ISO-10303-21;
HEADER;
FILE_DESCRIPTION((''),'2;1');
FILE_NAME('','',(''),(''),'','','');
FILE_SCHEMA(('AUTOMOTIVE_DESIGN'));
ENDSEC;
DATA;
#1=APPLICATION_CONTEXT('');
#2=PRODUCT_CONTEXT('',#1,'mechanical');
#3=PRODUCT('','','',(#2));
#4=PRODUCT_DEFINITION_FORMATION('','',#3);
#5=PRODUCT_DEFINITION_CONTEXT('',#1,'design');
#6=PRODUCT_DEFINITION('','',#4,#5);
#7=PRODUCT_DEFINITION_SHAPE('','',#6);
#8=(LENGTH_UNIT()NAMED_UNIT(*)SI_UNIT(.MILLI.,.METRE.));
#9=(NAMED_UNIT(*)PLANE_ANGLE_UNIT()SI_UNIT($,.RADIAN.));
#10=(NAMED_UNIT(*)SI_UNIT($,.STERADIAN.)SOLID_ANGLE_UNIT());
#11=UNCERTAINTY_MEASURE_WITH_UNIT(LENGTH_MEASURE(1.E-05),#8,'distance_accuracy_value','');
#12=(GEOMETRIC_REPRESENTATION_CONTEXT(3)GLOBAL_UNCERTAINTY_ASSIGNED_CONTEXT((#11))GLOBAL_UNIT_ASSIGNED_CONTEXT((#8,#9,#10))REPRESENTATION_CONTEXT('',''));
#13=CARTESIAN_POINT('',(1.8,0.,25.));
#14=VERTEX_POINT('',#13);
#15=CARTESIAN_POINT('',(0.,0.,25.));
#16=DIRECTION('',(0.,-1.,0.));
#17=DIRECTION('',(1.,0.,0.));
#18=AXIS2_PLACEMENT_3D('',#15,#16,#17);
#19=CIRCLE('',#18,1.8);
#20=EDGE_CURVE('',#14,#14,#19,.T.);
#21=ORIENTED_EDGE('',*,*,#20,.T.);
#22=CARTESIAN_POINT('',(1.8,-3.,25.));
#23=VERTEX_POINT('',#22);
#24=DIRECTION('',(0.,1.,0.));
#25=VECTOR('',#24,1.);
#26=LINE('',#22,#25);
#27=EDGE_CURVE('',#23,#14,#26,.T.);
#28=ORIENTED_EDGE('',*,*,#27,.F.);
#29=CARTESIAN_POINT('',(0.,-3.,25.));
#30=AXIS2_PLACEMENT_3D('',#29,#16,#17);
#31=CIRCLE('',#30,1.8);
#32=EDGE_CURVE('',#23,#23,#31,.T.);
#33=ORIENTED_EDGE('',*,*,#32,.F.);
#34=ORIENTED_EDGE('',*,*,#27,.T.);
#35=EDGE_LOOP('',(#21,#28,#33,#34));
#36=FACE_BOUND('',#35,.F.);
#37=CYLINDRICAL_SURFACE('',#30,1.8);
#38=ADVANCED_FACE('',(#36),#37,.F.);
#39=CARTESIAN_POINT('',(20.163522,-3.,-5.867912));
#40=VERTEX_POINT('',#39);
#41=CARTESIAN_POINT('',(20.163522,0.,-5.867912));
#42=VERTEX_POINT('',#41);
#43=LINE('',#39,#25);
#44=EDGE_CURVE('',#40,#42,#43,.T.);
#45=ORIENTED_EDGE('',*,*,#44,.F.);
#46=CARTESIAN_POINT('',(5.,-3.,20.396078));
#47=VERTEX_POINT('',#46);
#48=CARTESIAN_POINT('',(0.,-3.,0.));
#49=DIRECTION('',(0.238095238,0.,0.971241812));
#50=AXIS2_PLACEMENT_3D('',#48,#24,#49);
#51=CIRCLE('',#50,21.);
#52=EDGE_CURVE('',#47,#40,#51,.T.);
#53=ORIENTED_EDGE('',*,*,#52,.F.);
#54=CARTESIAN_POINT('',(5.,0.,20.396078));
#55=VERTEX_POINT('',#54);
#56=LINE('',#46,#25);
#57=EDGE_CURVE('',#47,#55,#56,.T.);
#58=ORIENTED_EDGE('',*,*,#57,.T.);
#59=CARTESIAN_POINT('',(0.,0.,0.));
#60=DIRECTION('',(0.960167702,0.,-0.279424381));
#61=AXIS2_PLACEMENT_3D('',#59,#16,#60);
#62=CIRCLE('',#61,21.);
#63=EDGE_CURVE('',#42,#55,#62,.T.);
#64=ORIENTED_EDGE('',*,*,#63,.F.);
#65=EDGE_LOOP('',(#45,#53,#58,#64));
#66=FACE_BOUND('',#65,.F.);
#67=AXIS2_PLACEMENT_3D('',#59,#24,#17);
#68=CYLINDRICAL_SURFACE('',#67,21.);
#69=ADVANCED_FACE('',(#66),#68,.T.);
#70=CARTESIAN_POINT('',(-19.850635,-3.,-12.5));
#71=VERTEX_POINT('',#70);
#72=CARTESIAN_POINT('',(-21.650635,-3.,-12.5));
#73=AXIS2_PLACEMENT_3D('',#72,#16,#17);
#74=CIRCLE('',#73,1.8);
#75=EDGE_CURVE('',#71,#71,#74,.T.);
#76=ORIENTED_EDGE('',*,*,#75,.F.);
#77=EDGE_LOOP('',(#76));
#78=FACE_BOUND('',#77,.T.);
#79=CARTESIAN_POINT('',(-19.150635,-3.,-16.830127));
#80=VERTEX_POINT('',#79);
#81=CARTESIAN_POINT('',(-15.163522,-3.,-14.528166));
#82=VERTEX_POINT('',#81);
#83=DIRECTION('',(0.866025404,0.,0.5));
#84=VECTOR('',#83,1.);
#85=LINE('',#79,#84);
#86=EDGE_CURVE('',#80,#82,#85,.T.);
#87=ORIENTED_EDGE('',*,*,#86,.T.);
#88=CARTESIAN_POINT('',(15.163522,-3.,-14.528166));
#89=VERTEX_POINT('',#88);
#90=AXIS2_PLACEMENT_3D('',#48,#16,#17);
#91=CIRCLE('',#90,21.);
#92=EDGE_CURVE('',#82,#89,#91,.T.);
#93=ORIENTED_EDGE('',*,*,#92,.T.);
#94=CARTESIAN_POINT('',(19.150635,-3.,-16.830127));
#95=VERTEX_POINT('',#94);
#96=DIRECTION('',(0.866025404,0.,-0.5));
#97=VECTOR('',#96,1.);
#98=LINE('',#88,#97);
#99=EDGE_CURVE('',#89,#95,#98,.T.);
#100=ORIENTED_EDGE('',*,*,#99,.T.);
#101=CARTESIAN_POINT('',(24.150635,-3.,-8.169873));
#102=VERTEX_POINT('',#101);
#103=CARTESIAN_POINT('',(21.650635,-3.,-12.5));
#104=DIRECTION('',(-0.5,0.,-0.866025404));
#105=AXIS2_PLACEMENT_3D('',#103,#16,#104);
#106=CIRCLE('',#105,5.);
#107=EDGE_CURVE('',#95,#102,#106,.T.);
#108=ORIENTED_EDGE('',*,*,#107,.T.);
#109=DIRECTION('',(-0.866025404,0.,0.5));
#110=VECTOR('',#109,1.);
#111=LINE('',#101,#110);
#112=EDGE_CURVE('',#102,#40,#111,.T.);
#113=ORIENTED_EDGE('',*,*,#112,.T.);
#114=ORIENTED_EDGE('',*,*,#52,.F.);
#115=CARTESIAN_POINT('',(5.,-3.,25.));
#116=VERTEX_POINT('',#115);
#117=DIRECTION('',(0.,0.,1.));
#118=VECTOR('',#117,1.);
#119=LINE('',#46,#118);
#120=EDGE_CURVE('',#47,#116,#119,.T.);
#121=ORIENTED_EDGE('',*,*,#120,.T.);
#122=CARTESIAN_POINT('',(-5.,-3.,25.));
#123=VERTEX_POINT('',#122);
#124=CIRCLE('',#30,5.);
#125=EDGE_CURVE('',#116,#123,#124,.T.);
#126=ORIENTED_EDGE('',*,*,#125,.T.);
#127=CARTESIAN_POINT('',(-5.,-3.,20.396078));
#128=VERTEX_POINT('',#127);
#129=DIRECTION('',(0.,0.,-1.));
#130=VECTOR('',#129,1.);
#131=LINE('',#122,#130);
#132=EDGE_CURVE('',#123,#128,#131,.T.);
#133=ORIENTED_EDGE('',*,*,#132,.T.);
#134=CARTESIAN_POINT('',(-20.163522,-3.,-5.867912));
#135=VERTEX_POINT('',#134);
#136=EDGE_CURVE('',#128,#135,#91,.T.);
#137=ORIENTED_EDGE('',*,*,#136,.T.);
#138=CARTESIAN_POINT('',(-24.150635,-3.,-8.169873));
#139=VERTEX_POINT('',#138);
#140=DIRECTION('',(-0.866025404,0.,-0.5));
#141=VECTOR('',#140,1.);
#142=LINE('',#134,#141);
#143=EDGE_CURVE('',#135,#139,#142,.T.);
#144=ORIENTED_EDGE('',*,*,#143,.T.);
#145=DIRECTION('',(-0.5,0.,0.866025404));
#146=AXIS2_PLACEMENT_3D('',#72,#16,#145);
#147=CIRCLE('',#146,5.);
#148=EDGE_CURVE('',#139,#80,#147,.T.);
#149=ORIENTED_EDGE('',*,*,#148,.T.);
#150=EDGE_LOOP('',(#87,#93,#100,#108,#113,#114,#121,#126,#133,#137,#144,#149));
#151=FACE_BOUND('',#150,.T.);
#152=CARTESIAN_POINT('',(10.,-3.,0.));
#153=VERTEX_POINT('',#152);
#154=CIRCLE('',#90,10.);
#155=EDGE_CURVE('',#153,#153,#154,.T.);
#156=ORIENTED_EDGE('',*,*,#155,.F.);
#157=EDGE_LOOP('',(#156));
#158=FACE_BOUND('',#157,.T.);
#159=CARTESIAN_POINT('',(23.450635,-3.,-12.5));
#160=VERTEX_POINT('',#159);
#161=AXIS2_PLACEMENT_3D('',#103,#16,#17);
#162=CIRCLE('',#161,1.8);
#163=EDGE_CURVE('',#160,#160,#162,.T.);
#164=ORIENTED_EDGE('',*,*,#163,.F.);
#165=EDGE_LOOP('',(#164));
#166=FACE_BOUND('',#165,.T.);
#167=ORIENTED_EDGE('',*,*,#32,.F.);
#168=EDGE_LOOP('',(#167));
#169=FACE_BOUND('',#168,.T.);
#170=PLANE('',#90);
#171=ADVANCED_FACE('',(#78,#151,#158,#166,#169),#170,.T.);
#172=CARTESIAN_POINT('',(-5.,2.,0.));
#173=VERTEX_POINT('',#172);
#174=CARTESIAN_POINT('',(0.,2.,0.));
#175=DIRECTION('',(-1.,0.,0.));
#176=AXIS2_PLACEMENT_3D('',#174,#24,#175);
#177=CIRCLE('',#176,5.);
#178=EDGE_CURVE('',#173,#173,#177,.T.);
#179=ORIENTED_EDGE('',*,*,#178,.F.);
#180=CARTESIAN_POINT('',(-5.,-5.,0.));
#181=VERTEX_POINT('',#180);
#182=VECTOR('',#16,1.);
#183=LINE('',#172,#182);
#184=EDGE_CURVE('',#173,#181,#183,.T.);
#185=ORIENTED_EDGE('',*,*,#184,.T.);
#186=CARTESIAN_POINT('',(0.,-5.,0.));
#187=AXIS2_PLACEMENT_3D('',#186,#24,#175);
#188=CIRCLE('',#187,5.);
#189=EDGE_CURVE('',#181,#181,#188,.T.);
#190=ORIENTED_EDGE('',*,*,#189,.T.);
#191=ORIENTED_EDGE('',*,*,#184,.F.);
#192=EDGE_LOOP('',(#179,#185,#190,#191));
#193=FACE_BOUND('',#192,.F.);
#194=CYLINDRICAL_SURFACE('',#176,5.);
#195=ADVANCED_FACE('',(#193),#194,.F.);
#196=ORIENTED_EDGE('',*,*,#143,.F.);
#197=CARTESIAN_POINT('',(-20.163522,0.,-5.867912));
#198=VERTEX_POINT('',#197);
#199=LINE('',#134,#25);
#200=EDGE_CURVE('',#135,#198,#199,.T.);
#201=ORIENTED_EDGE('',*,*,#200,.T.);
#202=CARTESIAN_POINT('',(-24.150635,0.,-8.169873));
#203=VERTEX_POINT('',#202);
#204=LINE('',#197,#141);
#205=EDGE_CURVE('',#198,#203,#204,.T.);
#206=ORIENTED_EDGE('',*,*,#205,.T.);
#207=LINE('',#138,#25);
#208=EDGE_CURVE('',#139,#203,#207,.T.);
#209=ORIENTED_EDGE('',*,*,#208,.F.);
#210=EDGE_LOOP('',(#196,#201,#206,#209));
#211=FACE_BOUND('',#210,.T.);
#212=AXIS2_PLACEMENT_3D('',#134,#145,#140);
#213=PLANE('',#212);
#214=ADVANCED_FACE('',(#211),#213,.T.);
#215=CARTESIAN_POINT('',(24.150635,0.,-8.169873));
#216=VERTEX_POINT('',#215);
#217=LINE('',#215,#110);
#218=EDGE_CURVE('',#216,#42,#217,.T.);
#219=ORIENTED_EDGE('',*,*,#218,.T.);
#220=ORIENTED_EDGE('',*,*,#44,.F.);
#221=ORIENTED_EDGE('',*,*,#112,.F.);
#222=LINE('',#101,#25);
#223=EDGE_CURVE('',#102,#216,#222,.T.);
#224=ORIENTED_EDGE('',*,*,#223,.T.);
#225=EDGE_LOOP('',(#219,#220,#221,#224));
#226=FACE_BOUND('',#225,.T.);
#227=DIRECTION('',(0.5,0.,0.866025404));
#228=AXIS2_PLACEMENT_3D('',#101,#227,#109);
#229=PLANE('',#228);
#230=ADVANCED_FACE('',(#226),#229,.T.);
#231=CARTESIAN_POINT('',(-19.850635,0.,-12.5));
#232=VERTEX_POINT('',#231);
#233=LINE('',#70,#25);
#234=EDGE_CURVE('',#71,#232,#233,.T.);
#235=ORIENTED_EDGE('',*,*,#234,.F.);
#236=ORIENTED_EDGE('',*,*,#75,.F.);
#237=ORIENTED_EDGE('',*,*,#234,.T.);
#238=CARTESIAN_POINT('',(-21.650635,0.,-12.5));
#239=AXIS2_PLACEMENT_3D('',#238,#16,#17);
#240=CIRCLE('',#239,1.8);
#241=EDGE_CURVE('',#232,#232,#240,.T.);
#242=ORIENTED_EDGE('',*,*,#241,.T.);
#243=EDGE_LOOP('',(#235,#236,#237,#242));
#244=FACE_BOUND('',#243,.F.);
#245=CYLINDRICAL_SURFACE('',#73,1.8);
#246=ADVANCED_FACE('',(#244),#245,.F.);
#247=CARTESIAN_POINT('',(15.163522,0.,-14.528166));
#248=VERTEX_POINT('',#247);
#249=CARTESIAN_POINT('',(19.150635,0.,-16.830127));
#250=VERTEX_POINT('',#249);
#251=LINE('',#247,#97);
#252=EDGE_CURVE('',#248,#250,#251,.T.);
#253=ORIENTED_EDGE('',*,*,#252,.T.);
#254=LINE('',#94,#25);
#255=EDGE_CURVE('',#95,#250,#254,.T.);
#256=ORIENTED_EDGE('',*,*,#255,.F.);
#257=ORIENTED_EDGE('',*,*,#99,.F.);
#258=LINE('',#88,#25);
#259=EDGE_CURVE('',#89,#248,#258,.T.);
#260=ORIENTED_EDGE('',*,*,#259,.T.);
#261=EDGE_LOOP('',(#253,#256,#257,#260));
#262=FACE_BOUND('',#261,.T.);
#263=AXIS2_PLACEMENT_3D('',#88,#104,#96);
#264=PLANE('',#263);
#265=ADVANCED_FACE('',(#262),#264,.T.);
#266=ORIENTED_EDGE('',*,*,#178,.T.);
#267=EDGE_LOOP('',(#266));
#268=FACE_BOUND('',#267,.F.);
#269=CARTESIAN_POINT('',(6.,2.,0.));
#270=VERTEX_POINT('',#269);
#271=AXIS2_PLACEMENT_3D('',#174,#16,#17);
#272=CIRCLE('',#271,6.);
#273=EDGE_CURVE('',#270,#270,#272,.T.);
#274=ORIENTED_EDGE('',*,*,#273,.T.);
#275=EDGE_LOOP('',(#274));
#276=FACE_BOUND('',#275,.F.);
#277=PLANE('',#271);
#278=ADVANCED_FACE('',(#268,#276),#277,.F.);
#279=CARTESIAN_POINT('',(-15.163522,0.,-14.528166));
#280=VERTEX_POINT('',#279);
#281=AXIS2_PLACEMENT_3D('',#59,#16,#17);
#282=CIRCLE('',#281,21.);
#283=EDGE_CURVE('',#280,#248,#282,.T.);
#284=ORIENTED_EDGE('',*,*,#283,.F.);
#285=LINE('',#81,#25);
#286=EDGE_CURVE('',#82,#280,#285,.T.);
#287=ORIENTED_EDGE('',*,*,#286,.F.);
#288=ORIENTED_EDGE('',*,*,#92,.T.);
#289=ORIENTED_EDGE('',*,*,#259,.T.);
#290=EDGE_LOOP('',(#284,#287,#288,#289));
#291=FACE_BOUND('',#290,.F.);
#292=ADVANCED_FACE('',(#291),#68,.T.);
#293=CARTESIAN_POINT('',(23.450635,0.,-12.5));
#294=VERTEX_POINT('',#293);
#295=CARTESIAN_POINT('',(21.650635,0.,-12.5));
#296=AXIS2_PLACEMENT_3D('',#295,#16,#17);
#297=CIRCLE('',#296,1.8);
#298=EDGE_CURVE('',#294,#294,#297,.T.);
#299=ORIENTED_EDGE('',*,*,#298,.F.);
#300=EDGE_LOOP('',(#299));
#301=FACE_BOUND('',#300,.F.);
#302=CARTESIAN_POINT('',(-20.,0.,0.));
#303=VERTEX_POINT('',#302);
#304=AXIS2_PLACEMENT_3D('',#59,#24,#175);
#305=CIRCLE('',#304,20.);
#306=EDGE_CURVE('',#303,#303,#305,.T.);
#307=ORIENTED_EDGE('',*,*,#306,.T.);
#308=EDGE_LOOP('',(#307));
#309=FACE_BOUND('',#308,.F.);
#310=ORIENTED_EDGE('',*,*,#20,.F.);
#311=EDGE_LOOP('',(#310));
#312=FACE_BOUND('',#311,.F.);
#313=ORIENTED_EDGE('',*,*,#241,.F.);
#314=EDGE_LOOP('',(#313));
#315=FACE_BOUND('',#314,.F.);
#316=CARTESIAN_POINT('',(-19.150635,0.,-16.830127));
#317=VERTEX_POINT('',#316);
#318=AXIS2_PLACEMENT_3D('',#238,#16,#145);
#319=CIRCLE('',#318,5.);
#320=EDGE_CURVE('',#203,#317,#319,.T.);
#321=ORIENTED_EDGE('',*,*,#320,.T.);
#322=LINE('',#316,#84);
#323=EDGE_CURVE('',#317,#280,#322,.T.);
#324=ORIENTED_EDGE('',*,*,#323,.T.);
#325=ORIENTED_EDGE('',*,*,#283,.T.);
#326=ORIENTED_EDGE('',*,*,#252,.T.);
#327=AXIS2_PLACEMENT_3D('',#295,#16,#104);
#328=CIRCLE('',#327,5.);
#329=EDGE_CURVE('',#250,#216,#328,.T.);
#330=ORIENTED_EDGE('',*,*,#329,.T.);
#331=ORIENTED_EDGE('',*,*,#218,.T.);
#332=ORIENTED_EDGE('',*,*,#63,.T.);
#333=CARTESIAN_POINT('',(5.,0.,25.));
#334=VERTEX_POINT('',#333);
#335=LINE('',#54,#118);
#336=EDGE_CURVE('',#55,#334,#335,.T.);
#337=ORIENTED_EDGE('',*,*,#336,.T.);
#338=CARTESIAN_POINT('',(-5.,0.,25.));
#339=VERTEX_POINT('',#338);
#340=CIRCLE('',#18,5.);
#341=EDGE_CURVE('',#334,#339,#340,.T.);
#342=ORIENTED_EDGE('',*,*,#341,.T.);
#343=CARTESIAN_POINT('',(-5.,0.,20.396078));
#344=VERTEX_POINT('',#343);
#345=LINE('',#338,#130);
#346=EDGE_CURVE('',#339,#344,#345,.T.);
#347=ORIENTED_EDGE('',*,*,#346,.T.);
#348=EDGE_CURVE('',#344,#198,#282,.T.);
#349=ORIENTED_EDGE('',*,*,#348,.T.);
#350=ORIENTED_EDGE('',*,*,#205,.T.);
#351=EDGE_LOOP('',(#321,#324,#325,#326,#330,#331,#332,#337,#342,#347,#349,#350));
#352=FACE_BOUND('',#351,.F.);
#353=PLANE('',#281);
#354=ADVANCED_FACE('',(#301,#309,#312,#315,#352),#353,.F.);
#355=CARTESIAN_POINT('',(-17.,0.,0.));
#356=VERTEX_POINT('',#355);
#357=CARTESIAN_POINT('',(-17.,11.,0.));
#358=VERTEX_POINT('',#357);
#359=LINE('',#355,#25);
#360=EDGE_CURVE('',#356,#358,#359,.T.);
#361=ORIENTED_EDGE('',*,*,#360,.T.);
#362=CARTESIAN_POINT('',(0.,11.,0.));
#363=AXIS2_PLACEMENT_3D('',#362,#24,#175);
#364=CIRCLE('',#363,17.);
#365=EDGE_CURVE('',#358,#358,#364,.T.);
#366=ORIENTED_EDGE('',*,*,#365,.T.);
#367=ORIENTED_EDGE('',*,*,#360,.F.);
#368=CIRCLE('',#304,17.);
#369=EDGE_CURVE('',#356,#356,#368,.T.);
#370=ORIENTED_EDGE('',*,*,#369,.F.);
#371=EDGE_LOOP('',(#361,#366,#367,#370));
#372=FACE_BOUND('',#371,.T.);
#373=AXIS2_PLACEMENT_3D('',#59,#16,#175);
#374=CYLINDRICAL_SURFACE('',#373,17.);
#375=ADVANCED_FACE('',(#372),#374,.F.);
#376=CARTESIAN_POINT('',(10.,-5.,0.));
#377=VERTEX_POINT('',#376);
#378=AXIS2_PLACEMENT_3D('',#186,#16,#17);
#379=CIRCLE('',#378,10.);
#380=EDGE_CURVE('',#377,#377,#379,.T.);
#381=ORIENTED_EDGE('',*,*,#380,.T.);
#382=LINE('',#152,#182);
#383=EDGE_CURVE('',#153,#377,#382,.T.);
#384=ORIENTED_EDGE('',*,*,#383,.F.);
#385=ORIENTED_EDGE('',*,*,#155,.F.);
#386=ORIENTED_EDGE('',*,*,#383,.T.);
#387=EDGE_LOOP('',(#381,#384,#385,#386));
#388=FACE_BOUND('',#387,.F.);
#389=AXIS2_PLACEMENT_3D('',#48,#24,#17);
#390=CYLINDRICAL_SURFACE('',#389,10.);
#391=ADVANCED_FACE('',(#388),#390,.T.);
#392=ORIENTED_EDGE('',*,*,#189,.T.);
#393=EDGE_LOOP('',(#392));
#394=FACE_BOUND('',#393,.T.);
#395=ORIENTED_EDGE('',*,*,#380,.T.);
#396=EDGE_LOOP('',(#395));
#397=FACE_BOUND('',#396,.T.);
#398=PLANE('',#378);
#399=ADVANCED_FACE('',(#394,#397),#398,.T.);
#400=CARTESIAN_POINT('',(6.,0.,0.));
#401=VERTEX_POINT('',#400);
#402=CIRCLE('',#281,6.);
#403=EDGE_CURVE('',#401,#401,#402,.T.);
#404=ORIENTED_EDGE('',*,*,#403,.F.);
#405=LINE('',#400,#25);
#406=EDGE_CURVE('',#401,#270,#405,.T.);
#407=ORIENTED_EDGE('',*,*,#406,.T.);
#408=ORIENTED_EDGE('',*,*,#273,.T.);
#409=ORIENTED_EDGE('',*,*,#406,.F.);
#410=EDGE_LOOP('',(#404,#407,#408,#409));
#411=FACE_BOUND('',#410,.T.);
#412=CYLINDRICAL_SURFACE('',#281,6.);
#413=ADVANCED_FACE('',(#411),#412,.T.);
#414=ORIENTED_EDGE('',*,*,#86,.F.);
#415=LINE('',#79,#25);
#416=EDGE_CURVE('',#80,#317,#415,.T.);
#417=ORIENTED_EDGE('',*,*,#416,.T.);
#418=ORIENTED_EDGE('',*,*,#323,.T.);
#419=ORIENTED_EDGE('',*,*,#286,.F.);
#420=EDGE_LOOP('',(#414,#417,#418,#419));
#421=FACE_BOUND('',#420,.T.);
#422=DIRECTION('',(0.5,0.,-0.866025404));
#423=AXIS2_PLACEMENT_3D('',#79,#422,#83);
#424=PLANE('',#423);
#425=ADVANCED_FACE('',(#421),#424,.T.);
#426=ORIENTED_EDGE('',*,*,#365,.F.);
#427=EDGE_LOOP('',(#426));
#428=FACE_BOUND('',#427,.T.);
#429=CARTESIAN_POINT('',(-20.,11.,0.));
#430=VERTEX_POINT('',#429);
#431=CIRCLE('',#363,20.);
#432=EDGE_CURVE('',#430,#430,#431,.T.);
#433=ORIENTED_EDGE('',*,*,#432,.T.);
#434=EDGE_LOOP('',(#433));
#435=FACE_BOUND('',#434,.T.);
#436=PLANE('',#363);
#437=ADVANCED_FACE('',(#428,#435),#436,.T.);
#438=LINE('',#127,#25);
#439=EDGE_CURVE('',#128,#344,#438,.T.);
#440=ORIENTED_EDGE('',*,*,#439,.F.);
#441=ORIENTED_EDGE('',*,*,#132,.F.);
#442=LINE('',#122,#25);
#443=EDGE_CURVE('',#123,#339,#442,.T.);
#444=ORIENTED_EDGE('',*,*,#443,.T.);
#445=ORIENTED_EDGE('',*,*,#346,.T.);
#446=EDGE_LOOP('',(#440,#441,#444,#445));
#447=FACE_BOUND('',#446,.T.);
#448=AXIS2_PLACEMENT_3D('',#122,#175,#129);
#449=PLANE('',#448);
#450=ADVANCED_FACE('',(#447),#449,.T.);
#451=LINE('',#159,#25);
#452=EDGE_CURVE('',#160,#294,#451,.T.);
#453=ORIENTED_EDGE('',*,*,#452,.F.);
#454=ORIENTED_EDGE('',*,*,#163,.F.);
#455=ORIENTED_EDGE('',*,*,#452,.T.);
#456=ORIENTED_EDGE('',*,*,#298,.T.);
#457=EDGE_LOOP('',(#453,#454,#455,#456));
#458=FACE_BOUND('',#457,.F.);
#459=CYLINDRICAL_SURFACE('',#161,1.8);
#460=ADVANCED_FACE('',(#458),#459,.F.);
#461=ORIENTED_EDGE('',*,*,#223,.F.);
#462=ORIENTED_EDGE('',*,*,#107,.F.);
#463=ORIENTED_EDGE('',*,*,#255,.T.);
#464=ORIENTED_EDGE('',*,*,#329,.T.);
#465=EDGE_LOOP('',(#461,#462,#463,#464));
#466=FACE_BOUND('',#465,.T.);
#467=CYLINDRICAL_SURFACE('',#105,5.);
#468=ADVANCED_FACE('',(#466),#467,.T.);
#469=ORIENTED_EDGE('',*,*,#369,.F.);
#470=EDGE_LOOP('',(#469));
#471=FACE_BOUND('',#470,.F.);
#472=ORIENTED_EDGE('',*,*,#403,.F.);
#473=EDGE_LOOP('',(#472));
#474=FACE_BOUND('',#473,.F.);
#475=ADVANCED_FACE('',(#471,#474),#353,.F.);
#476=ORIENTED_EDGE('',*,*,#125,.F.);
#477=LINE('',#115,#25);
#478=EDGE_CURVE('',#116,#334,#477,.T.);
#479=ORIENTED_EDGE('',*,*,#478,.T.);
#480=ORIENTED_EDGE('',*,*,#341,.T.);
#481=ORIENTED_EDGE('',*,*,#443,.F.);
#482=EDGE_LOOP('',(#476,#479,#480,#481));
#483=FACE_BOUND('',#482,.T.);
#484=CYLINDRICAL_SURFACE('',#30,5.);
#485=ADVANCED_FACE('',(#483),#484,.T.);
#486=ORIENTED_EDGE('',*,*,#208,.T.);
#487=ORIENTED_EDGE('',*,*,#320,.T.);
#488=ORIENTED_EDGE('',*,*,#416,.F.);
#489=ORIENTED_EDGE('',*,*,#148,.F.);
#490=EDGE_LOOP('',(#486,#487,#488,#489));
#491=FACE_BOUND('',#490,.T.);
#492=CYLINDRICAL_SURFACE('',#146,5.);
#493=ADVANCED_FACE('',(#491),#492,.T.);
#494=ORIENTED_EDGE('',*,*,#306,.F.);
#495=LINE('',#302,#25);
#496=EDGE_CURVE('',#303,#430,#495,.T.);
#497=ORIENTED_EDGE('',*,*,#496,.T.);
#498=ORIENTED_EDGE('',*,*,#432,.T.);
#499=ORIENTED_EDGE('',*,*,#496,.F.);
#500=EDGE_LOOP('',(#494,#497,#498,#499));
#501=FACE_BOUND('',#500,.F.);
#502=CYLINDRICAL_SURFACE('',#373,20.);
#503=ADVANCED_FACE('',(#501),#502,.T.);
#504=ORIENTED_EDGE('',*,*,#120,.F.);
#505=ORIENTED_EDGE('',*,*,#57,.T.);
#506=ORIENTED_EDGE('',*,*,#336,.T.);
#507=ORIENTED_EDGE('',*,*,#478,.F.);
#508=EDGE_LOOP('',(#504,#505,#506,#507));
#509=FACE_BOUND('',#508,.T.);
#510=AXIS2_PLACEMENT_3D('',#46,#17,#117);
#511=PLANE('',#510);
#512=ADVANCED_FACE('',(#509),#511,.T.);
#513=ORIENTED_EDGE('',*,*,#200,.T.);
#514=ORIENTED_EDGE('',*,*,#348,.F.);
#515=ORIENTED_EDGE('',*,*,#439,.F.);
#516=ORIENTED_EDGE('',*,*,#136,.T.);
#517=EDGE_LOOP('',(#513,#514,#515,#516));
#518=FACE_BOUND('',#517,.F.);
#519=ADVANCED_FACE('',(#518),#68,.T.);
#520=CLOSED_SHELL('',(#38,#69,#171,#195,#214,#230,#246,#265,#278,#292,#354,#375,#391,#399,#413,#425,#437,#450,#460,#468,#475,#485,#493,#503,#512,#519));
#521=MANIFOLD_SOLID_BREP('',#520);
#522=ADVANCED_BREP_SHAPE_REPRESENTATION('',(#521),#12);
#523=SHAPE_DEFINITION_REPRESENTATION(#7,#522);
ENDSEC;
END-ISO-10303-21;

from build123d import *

# Parameters (mm, degrees)
F0_R      = 21
F1_DEPTH  = 3
F2_R      = 3.35
F2_R_2    = 1.8
F3_DEPTH  = 3
F4_R      = 20
F4_R_2    = 17
F5_DEPTH  = 11
F6_R      = 6
F6_R_2    = 5
F7_DEPTH  = 2
F8_R      = 10
F9_DEPTH  = 2
F10_R     = 5
F11_DEPTH = 46.6


with BuildPart() as f1:
    # F0 (on Front) → F1 (new body)
    with BuildSketch(Plane.XZ):
        Circle(F0_R)
    extrude(amount=F1_DEPTH)

    # F2 (on face) → F3 (join)
    with BuildSketch(Plane.XZ.offset(3)):
        with BuildLine():
            Line((5, 20.3960780544), (5, 25))
            ThreePointArc((5, 25), (0, 30), (-5, 25))
            Line((-5, 25), (-5, 20.3960780544))
            ThreePointArc((-5, 20.3960780544), (0, 21), (5, 20.3960780544))
        make_face()
        with Locations((0, 25)):
            Circle(F2_R, mode=Mode.SUBTRACT)
        with BuildLine():
            Line((24.1506350946, -8.1698729811), (20.1635217327, -5.8679120083))
            ThreePointArc((20.1635217327, -5.8679120083), (18.1865334795, -10.5), (15.1635217327, -14.5281660461))
            Line((15.1635217327, -14.5281660461), (19.1506350946, -16.8301270189))
            ThreePointArc((19.1506350946, -16.8301270189), (25.9807621135, -15), (24.1506350946, -8.1698729811))
        make_face()
        with Locations((21.6506350946, -12.5)):
            Circle(F2_R, mode=Mode.SUBTRACT)
        with BuildLine():
            ThreePointArc((-15.1635217327, -14.5281660461), (-18.1865334795, -10.5), (-20.1635217327, -5.8679120083))
            Line((-20.1635217327, -5.8679120083), (-24.1506350946, -8.1698729811))
            ThreePointArc((-24.1506350946, -8.1698729811), (-25.9807621135, -15), (-19.1506350946, -16.8301270189))
            Line((-19.1506350946, -16.8301270189), (-15.1635217327, -14.5281660461))
        make_face()
        with Locations((-21.6506350946, -12.5)):
            Circle(F2_R, mode=Mode.SUBTRACT)
        with Locations((0, 25)):
            Circle(F2_R)
        with Locations((0, 25)):
            Circle(F2_R_2, mode=Mode.SUBTRACT)
        with Locations((-21.6506350946, -12.5)):
            Circle(F2_R)
        with Locations((-21.6506350946, -12.5)):
            Circle(F2_R_2, mode=Mode.SUBTRACT)
        with Locations((21.6506350946, -12.5)):
            Circle(F2_R)
        with Locations((21.6506350946, -12.5)):
            Circle(F2_R_2, mode=Mode.SUBTRACT)
    extrude(amount=-F3_DEPTH)

    # F4 (on face) → F5 (join)
    with BuildSketch(Plane(origin=(0, 0, 0), x_dir=(-1, 0, 0), z_dir=(0, 1, 0))):
        Circle(F4_R)
        Circle(F4_R_2, mode=Mode.SUBTRACT)
    extrude(amount=F5_DEPTH)

    # F6 (on Front) → F7 (join)
    with BuildSketch(Plane.XZ):
        Circle(F6_R)
        Circle(F6_R_2, mode=Mode.SUBTRACT)
        Circle(F6_R_2)
    extrude(amount=-F7_DEPTH)

    # F8 (on face) → F9 (join)
    with BuildSketch(Plane.XZ.offset(3)):
        Circle(F8_R)
    extrude(amount=F9_DEPTH)

    # F10 (on face) → F11 (cut)
    with BuildSketch(Plane(origin=(0, 2, 0), x_dir=(-1, 0, 0), z_dir=(0, 1, 0))):
        Circle(F10_R)
    extrude(amount=-F11_DEPTH, mode=Mode.SUBTRACT)


solid = f1.part
